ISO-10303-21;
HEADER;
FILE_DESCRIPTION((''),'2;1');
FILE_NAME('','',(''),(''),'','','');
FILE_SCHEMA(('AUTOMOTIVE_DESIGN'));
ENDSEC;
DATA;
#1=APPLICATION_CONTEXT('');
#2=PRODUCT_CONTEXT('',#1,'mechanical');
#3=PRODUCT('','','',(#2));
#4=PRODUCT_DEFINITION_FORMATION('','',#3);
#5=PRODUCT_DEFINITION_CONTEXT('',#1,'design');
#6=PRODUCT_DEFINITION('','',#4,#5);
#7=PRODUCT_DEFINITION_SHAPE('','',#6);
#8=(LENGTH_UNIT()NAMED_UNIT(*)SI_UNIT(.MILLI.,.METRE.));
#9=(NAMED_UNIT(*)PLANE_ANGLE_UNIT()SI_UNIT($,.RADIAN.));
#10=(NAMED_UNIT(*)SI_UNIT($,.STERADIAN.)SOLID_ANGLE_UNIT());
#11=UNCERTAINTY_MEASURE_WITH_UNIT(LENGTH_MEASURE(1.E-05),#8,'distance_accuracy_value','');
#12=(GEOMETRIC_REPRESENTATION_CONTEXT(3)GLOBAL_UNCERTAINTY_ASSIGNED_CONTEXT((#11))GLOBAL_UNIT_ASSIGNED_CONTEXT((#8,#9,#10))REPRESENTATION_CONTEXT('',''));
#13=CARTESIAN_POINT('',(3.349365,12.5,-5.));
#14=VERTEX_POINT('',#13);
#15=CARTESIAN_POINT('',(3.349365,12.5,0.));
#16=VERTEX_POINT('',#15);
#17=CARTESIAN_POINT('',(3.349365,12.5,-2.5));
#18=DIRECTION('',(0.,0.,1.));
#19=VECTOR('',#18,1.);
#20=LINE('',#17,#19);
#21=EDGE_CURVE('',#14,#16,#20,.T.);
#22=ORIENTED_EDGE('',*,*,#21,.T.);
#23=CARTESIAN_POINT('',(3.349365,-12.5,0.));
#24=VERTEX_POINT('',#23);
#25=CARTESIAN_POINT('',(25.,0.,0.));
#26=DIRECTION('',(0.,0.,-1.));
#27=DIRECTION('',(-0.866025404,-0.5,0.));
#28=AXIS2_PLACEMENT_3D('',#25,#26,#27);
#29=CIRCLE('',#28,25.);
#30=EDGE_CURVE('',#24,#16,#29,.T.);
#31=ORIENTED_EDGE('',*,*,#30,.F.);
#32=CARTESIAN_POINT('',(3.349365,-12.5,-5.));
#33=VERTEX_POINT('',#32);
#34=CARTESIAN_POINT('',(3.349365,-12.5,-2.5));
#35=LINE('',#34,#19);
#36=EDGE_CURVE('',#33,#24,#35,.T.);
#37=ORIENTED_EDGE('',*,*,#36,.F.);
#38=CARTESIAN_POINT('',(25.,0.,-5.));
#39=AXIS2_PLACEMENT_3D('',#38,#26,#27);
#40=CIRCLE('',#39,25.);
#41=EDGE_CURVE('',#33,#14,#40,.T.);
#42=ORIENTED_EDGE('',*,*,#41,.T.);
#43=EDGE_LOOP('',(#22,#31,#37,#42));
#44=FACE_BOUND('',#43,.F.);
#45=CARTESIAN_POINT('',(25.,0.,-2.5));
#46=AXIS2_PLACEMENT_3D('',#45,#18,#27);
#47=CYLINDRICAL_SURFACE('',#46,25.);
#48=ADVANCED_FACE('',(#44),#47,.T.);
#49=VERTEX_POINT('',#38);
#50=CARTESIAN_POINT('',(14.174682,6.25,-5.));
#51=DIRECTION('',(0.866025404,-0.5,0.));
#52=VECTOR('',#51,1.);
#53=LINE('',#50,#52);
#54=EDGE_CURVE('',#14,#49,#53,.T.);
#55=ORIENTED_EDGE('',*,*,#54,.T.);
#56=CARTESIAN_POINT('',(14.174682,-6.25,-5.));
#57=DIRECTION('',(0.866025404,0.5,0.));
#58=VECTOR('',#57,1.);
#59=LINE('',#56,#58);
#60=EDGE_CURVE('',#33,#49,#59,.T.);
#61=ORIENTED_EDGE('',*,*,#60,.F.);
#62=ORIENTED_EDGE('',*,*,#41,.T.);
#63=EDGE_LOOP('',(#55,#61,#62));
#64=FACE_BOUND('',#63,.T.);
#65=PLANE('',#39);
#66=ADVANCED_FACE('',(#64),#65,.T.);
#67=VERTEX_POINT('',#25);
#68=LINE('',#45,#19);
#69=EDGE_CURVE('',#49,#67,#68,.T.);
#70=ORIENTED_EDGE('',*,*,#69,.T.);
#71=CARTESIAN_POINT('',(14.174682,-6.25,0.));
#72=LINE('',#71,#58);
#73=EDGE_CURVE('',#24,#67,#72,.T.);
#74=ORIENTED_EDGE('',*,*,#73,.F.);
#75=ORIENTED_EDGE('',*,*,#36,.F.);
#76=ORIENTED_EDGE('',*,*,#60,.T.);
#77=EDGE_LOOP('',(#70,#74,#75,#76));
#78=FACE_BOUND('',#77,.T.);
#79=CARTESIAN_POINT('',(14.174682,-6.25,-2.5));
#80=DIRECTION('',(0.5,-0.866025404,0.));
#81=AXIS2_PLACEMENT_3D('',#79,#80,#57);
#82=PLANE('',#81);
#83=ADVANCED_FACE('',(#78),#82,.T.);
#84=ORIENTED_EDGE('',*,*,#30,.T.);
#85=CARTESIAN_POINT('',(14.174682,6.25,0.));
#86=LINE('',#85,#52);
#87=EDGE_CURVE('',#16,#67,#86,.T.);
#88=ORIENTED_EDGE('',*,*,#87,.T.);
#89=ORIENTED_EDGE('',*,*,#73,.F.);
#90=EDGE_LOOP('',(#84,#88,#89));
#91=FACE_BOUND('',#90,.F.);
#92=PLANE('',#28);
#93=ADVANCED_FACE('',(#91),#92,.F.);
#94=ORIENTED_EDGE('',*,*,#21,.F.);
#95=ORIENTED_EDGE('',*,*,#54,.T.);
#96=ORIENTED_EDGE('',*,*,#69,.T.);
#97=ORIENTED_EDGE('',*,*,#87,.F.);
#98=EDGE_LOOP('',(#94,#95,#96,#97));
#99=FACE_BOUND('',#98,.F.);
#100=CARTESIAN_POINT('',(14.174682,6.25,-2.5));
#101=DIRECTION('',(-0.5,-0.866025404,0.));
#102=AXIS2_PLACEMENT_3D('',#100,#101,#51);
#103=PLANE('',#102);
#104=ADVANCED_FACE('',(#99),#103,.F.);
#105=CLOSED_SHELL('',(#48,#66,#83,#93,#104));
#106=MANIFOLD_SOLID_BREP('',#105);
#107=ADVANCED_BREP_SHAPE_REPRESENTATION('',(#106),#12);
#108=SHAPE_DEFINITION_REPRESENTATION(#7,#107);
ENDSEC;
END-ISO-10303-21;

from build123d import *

# Parameters (mm, degrees)
F0_W          = 25
F0_H          = 5
F1_ANGLE_BACK = 30
F1_ANGLE      = 60


with BuildPart() as f1:
    # F0 (on Front) → F1 (revolve)
    with BuildSketch(Plane.XZ, mode=Mode.PRIVATE) as f1_sk:
        with Locations((12.5, -2.5)):
            Rectangle(F0_W, F0_H)
    revolve(f1_sk.sketch.rotate(Axis((25, 0, -2.5), (0, 0, -1)), -F1_ANGLE_BACK), axis=Axis((25, 0, -2.5), (0, 0, -1)), revolution_arc=F1_ANGLE)


solid = f1.part
